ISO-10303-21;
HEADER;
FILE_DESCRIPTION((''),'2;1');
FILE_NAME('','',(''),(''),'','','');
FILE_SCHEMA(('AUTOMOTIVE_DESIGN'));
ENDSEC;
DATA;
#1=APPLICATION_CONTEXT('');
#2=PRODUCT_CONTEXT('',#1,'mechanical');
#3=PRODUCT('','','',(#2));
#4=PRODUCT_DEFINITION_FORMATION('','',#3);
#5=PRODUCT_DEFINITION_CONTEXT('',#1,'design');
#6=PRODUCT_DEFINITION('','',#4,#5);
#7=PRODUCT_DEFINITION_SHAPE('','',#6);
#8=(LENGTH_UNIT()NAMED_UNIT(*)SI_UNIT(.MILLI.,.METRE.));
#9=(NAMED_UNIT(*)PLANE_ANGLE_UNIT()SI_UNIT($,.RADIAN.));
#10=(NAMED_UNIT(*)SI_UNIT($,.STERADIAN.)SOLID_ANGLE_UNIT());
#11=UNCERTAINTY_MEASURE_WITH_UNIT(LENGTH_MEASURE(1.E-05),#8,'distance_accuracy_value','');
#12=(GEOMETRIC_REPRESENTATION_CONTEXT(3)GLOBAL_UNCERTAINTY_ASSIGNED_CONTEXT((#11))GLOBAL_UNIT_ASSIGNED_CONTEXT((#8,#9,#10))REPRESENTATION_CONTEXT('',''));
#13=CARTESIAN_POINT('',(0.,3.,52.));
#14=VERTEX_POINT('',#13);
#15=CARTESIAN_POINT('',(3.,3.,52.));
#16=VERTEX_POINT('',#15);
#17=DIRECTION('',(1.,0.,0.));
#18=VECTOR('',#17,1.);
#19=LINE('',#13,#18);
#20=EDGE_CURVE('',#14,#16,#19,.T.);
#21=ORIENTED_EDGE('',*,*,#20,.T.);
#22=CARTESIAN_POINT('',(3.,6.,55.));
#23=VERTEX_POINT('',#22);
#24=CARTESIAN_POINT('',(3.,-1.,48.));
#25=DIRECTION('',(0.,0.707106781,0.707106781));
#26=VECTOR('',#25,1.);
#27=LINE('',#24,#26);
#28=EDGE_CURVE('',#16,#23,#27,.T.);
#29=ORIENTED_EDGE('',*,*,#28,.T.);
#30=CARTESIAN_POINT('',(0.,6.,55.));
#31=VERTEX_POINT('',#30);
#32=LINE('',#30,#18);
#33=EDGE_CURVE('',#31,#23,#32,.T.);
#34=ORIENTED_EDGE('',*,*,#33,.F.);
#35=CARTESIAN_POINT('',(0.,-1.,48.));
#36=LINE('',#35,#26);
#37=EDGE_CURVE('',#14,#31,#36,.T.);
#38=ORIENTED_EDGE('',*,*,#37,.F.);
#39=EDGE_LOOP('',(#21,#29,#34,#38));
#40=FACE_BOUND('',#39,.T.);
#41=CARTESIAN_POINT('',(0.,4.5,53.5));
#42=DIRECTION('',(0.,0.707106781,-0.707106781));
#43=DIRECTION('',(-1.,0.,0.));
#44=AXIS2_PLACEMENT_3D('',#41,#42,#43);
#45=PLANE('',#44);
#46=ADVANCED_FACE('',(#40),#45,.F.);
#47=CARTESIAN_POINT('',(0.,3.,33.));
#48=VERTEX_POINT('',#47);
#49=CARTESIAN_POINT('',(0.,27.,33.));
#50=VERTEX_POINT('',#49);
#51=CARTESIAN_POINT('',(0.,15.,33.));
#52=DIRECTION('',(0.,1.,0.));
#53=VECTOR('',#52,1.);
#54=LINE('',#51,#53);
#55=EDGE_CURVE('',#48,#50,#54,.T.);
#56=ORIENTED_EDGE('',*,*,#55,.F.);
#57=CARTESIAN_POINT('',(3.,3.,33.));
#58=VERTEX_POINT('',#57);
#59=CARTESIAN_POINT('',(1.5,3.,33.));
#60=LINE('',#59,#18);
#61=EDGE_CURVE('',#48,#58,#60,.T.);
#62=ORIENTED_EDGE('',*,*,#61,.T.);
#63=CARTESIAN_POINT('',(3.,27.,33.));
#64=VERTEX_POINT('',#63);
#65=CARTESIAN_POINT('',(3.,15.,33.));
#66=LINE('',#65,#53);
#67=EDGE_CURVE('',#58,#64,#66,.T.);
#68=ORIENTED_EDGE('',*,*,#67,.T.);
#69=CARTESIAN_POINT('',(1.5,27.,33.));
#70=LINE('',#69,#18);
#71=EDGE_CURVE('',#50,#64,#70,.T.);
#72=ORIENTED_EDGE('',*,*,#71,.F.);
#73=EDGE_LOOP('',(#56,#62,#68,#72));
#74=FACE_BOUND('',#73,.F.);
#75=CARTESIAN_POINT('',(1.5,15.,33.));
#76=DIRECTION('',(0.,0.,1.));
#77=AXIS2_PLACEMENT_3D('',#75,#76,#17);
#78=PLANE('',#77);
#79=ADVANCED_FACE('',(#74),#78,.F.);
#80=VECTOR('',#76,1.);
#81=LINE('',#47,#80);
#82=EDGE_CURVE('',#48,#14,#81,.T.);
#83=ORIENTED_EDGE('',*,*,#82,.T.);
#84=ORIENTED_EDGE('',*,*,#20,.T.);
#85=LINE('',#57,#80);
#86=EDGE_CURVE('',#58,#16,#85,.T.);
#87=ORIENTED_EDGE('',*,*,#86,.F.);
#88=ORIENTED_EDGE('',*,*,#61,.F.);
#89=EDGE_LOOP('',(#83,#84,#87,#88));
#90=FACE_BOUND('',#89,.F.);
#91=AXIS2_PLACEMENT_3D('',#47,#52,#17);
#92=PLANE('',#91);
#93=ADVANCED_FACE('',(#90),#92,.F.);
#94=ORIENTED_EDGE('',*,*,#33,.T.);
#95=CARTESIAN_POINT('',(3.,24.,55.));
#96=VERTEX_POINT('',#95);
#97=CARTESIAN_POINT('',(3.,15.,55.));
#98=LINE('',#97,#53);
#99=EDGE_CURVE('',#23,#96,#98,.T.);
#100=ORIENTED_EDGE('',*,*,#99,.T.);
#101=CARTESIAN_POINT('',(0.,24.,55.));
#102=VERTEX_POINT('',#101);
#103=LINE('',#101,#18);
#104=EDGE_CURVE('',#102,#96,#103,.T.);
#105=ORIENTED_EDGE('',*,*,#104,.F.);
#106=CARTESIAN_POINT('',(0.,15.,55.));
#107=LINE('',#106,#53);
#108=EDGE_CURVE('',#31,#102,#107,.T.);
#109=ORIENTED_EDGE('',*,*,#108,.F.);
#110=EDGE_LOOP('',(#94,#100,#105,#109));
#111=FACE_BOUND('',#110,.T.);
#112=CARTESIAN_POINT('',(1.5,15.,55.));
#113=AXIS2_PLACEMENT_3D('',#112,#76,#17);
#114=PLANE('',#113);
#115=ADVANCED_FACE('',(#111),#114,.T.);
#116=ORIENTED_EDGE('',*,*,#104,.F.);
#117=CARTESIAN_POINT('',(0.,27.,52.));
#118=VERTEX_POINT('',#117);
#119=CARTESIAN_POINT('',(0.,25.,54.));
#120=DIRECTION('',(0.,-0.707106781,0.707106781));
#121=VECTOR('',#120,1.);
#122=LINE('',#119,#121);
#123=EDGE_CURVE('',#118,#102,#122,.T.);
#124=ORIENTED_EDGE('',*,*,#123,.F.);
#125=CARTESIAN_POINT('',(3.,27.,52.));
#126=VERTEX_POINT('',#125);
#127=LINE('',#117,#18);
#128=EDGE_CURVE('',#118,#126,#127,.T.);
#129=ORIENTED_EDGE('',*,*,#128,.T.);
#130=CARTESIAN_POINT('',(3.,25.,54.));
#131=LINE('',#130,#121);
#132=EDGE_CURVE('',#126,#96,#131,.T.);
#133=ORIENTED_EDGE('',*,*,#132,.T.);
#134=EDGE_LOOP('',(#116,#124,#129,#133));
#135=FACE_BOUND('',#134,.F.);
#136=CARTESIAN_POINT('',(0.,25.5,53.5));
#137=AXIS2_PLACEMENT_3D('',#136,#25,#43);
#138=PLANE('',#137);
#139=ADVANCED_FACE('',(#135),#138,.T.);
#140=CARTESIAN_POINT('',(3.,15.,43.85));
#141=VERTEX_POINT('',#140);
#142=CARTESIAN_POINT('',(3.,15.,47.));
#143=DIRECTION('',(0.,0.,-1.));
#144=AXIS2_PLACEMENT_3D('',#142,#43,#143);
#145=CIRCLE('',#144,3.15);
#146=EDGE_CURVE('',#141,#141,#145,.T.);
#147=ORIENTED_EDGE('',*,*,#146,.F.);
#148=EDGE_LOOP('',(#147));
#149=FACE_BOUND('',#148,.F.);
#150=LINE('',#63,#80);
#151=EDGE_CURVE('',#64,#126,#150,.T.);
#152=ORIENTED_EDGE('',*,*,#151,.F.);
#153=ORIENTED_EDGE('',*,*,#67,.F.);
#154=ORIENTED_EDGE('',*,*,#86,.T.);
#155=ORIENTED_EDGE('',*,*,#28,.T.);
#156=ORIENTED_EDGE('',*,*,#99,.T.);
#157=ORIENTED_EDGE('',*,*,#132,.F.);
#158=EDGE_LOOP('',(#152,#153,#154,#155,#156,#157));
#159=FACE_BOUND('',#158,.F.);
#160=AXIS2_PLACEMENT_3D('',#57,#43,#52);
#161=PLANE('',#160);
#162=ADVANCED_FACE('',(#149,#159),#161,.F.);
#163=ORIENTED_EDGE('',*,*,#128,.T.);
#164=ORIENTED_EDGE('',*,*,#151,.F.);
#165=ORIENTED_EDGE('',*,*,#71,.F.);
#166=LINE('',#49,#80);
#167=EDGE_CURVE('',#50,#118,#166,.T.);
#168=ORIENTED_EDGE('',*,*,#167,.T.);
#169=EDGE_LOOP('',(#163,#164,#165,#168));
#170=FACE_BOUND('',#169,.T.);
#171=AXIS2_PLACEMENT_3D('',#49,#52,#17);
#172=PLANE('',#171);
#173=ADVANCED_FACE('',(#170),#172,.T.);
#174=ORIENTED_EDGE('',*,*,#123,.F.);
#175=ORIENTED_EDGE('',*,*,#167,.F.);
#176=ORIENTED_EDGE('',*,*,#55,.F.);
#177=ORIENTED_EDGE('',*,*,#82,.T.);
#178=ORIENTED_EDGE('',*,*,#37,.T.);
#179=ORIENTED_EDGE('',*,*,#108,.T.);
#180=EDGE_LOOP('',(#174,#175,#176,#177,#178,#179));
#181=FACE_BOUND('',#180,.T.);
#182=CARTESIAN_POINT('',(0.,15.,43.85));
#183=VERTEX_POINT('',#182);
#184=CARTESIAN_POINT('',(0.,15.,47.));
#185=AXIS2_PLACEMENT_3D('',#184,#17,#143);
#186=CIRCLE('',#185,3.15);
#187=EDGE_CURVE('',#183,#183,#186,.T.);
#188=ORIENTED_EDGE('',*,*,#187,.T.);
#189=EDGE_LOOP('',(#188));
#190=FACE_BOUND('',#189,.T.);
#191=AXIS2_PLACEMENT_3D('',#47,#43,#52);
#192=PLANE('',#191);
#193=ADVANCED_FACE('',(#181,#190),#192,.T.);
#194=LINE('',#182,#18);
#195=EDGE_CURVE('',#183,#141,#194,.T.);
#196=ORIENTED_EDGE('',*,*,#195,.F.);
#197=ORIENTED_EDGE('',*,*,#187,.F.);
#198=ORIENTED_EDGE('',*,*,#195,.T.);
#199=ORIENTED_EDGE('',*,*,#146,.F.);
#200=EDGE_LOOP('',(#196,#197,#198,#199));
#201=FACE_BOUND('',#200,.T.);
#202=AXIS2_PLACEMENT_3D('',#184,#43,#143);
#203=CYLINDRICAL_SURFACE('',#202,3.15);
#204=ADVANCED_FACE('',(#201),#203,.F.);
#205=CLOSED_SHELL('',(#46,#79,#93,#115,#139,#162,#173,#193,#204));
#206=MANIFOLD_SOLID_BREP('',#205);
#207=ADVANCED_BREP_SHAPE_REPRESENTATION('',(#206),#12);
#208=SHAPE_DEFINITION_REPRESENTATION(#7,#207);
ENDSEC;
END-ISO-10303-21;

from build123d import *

# Parameters (mm, degrees)
CYLINDER001_R      = 3.15
CYLINDER001_DEPTH  = 10
BOX010_W           = 3
BOX010_H           = 24
BOX010_DEPTH       = 22
CHAMFER020014_SIZE = 3


with BuildPart() as cylinder001:
    # Cylinder001 → Cylinder001 (new body)
    with BuildSketch(Plane(origin=(0, 15, 60), x_dir=(0, 0, -1), z_dir=(1, 0, 0))):
        Circle(CYLINDER001_R)
    extrude(amount=CYLINDER001_DEPTH)


with BuildPart() as cut:
    # Box010 → Box010 (new body)
    with BuildSketch(Plane(origin=(0, 3, 46), x_dir=(1, 0, 0), z_dir=(0, 0, 1))):
        with Locations((1.5, 12)):
            Rectangle(BOX010_W, BOX010_H)
    extrude(amount=BOX010_DEPTH)

    # Chamfer020014
    chamfer020014_edges = [cut.edges().sort_by_distance(p)[0] for p in [
        (1.5, 3, 68),
        (1.5, 27, 68),
    ]]
    chamfer(chamfer020014_edges, length=CHAMFER020014_SIZE)

    # Cut: cut Cylinder001
    add(cylinder001.part, mode=Mode.SUBTRACT)


with BuildPart() as cut_1:
    # Cut placement: moved
    add(cut.part.moved(Location((0, 0, -13))))


solid = cut_1.part
